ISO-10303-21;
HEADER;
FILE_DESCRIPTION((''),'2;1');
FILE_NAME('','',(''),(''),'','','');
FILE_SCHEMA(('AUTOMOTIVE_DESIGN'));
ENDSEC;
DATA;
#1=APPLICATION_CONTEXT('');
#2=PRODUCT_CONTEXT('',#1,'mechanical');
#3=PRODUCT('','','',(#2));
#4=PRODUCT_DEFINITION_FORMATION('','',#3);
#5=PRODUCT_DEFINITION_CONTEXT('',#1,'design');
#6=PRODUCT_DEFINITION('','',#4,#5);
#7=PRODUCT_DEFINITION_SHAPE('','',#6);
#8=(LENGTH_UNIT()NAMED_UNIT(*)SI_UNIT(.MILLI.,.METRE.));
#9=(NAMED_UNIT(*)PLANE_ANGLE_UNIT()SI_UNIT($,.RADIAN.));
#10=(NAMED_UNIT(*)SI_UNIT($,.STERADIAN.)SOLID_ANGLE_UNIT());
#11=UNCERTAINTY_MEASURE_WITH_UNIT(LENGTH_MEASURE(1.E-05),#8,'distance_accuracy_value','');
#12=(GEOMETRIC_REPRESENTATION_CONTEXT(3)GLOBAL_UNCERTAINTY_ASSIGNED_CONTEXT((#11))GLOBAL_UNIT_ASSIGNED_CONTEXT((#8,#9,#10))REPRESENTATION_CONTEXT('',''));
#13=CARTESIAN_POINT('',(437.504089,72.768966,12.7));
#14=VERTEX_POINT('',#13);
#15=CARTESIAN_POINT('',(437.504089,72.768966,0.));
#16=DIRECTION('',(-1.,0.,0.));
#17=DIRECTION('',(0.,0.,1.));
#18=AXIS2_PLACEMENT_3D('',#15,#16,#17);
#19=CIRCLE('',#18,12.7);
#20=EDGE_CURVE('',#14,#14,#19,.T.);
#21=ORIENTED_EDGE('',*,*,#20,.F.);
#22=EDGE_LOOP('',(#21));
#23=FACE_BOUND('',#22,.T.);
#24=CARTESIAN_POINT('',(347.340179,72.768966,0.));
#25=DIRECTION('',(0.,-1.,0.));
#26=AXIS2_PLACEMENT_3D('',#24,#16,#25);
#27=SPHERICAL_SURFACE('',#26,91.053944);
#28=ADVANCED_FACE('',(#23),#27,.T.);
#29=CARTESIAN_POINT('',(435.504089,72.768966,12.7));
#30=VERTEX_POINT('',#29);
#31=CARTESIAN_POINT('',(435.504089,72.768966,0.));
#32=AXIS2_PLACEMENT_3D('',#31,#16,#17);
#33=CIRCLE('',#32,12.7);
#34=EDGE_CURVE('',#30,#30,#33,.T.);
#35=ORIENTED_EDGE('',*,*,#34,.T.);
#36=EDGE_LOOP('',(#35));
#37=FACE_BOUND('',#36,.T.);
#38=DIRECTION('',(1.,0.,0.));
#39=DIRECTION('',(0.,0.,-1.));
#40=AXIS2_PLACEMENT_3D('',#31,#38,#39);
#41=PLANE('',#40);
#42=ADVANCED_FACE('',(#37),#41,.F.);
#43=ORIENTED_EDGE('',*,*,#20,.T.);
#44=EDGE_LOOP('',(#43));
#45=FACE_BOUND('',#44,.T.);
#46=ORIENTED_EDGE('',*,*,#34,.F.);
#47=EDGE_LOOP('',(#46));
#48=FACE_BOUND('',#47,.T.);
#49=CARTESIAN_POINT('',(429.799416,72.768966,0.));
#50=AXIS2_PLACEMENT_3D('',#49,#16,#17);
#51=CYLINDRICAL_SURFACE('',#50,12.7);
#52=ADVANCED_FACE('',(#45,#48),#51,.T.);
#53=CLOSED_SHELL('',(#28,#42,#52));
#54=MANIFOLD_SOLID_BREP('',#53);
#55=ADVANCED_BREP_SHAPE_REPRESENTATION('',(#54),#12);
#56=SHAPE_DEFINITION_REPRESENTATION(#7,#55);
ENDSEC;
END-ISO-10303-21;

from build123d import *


with BuildPart() as part:
    # 草图1 → 旋转1 (revolve)
    with BuildSketch(Plane.XY, mode=Mode.PRIVATE) as revolve_1_sk:
        with BuildLine():
            Line((435.504089356, 72.768965853), (435.504089356, 85.468965853))
            Line((435.504089356, 85.468965853), (437.504089356, 85.468965853))
            ThreePointArc((437.504089356, 85.468965853), (438.171342102, 79.134540454), (438.394123068, 72.768965853))
            Line((438.394123068, 72.768965853), (435.504089356, 72.768965853))
        make_face()
    revolve(revolve_1_sk.sketch.rotate(Axis((429.799415808, 72.768965853, 0), (1, 0, 0)), 180), axis=Axis((429.799415808, 72.768965853, 0), (1, 0, 0)))  # turned: the seam where the file's is


solid = part.part
